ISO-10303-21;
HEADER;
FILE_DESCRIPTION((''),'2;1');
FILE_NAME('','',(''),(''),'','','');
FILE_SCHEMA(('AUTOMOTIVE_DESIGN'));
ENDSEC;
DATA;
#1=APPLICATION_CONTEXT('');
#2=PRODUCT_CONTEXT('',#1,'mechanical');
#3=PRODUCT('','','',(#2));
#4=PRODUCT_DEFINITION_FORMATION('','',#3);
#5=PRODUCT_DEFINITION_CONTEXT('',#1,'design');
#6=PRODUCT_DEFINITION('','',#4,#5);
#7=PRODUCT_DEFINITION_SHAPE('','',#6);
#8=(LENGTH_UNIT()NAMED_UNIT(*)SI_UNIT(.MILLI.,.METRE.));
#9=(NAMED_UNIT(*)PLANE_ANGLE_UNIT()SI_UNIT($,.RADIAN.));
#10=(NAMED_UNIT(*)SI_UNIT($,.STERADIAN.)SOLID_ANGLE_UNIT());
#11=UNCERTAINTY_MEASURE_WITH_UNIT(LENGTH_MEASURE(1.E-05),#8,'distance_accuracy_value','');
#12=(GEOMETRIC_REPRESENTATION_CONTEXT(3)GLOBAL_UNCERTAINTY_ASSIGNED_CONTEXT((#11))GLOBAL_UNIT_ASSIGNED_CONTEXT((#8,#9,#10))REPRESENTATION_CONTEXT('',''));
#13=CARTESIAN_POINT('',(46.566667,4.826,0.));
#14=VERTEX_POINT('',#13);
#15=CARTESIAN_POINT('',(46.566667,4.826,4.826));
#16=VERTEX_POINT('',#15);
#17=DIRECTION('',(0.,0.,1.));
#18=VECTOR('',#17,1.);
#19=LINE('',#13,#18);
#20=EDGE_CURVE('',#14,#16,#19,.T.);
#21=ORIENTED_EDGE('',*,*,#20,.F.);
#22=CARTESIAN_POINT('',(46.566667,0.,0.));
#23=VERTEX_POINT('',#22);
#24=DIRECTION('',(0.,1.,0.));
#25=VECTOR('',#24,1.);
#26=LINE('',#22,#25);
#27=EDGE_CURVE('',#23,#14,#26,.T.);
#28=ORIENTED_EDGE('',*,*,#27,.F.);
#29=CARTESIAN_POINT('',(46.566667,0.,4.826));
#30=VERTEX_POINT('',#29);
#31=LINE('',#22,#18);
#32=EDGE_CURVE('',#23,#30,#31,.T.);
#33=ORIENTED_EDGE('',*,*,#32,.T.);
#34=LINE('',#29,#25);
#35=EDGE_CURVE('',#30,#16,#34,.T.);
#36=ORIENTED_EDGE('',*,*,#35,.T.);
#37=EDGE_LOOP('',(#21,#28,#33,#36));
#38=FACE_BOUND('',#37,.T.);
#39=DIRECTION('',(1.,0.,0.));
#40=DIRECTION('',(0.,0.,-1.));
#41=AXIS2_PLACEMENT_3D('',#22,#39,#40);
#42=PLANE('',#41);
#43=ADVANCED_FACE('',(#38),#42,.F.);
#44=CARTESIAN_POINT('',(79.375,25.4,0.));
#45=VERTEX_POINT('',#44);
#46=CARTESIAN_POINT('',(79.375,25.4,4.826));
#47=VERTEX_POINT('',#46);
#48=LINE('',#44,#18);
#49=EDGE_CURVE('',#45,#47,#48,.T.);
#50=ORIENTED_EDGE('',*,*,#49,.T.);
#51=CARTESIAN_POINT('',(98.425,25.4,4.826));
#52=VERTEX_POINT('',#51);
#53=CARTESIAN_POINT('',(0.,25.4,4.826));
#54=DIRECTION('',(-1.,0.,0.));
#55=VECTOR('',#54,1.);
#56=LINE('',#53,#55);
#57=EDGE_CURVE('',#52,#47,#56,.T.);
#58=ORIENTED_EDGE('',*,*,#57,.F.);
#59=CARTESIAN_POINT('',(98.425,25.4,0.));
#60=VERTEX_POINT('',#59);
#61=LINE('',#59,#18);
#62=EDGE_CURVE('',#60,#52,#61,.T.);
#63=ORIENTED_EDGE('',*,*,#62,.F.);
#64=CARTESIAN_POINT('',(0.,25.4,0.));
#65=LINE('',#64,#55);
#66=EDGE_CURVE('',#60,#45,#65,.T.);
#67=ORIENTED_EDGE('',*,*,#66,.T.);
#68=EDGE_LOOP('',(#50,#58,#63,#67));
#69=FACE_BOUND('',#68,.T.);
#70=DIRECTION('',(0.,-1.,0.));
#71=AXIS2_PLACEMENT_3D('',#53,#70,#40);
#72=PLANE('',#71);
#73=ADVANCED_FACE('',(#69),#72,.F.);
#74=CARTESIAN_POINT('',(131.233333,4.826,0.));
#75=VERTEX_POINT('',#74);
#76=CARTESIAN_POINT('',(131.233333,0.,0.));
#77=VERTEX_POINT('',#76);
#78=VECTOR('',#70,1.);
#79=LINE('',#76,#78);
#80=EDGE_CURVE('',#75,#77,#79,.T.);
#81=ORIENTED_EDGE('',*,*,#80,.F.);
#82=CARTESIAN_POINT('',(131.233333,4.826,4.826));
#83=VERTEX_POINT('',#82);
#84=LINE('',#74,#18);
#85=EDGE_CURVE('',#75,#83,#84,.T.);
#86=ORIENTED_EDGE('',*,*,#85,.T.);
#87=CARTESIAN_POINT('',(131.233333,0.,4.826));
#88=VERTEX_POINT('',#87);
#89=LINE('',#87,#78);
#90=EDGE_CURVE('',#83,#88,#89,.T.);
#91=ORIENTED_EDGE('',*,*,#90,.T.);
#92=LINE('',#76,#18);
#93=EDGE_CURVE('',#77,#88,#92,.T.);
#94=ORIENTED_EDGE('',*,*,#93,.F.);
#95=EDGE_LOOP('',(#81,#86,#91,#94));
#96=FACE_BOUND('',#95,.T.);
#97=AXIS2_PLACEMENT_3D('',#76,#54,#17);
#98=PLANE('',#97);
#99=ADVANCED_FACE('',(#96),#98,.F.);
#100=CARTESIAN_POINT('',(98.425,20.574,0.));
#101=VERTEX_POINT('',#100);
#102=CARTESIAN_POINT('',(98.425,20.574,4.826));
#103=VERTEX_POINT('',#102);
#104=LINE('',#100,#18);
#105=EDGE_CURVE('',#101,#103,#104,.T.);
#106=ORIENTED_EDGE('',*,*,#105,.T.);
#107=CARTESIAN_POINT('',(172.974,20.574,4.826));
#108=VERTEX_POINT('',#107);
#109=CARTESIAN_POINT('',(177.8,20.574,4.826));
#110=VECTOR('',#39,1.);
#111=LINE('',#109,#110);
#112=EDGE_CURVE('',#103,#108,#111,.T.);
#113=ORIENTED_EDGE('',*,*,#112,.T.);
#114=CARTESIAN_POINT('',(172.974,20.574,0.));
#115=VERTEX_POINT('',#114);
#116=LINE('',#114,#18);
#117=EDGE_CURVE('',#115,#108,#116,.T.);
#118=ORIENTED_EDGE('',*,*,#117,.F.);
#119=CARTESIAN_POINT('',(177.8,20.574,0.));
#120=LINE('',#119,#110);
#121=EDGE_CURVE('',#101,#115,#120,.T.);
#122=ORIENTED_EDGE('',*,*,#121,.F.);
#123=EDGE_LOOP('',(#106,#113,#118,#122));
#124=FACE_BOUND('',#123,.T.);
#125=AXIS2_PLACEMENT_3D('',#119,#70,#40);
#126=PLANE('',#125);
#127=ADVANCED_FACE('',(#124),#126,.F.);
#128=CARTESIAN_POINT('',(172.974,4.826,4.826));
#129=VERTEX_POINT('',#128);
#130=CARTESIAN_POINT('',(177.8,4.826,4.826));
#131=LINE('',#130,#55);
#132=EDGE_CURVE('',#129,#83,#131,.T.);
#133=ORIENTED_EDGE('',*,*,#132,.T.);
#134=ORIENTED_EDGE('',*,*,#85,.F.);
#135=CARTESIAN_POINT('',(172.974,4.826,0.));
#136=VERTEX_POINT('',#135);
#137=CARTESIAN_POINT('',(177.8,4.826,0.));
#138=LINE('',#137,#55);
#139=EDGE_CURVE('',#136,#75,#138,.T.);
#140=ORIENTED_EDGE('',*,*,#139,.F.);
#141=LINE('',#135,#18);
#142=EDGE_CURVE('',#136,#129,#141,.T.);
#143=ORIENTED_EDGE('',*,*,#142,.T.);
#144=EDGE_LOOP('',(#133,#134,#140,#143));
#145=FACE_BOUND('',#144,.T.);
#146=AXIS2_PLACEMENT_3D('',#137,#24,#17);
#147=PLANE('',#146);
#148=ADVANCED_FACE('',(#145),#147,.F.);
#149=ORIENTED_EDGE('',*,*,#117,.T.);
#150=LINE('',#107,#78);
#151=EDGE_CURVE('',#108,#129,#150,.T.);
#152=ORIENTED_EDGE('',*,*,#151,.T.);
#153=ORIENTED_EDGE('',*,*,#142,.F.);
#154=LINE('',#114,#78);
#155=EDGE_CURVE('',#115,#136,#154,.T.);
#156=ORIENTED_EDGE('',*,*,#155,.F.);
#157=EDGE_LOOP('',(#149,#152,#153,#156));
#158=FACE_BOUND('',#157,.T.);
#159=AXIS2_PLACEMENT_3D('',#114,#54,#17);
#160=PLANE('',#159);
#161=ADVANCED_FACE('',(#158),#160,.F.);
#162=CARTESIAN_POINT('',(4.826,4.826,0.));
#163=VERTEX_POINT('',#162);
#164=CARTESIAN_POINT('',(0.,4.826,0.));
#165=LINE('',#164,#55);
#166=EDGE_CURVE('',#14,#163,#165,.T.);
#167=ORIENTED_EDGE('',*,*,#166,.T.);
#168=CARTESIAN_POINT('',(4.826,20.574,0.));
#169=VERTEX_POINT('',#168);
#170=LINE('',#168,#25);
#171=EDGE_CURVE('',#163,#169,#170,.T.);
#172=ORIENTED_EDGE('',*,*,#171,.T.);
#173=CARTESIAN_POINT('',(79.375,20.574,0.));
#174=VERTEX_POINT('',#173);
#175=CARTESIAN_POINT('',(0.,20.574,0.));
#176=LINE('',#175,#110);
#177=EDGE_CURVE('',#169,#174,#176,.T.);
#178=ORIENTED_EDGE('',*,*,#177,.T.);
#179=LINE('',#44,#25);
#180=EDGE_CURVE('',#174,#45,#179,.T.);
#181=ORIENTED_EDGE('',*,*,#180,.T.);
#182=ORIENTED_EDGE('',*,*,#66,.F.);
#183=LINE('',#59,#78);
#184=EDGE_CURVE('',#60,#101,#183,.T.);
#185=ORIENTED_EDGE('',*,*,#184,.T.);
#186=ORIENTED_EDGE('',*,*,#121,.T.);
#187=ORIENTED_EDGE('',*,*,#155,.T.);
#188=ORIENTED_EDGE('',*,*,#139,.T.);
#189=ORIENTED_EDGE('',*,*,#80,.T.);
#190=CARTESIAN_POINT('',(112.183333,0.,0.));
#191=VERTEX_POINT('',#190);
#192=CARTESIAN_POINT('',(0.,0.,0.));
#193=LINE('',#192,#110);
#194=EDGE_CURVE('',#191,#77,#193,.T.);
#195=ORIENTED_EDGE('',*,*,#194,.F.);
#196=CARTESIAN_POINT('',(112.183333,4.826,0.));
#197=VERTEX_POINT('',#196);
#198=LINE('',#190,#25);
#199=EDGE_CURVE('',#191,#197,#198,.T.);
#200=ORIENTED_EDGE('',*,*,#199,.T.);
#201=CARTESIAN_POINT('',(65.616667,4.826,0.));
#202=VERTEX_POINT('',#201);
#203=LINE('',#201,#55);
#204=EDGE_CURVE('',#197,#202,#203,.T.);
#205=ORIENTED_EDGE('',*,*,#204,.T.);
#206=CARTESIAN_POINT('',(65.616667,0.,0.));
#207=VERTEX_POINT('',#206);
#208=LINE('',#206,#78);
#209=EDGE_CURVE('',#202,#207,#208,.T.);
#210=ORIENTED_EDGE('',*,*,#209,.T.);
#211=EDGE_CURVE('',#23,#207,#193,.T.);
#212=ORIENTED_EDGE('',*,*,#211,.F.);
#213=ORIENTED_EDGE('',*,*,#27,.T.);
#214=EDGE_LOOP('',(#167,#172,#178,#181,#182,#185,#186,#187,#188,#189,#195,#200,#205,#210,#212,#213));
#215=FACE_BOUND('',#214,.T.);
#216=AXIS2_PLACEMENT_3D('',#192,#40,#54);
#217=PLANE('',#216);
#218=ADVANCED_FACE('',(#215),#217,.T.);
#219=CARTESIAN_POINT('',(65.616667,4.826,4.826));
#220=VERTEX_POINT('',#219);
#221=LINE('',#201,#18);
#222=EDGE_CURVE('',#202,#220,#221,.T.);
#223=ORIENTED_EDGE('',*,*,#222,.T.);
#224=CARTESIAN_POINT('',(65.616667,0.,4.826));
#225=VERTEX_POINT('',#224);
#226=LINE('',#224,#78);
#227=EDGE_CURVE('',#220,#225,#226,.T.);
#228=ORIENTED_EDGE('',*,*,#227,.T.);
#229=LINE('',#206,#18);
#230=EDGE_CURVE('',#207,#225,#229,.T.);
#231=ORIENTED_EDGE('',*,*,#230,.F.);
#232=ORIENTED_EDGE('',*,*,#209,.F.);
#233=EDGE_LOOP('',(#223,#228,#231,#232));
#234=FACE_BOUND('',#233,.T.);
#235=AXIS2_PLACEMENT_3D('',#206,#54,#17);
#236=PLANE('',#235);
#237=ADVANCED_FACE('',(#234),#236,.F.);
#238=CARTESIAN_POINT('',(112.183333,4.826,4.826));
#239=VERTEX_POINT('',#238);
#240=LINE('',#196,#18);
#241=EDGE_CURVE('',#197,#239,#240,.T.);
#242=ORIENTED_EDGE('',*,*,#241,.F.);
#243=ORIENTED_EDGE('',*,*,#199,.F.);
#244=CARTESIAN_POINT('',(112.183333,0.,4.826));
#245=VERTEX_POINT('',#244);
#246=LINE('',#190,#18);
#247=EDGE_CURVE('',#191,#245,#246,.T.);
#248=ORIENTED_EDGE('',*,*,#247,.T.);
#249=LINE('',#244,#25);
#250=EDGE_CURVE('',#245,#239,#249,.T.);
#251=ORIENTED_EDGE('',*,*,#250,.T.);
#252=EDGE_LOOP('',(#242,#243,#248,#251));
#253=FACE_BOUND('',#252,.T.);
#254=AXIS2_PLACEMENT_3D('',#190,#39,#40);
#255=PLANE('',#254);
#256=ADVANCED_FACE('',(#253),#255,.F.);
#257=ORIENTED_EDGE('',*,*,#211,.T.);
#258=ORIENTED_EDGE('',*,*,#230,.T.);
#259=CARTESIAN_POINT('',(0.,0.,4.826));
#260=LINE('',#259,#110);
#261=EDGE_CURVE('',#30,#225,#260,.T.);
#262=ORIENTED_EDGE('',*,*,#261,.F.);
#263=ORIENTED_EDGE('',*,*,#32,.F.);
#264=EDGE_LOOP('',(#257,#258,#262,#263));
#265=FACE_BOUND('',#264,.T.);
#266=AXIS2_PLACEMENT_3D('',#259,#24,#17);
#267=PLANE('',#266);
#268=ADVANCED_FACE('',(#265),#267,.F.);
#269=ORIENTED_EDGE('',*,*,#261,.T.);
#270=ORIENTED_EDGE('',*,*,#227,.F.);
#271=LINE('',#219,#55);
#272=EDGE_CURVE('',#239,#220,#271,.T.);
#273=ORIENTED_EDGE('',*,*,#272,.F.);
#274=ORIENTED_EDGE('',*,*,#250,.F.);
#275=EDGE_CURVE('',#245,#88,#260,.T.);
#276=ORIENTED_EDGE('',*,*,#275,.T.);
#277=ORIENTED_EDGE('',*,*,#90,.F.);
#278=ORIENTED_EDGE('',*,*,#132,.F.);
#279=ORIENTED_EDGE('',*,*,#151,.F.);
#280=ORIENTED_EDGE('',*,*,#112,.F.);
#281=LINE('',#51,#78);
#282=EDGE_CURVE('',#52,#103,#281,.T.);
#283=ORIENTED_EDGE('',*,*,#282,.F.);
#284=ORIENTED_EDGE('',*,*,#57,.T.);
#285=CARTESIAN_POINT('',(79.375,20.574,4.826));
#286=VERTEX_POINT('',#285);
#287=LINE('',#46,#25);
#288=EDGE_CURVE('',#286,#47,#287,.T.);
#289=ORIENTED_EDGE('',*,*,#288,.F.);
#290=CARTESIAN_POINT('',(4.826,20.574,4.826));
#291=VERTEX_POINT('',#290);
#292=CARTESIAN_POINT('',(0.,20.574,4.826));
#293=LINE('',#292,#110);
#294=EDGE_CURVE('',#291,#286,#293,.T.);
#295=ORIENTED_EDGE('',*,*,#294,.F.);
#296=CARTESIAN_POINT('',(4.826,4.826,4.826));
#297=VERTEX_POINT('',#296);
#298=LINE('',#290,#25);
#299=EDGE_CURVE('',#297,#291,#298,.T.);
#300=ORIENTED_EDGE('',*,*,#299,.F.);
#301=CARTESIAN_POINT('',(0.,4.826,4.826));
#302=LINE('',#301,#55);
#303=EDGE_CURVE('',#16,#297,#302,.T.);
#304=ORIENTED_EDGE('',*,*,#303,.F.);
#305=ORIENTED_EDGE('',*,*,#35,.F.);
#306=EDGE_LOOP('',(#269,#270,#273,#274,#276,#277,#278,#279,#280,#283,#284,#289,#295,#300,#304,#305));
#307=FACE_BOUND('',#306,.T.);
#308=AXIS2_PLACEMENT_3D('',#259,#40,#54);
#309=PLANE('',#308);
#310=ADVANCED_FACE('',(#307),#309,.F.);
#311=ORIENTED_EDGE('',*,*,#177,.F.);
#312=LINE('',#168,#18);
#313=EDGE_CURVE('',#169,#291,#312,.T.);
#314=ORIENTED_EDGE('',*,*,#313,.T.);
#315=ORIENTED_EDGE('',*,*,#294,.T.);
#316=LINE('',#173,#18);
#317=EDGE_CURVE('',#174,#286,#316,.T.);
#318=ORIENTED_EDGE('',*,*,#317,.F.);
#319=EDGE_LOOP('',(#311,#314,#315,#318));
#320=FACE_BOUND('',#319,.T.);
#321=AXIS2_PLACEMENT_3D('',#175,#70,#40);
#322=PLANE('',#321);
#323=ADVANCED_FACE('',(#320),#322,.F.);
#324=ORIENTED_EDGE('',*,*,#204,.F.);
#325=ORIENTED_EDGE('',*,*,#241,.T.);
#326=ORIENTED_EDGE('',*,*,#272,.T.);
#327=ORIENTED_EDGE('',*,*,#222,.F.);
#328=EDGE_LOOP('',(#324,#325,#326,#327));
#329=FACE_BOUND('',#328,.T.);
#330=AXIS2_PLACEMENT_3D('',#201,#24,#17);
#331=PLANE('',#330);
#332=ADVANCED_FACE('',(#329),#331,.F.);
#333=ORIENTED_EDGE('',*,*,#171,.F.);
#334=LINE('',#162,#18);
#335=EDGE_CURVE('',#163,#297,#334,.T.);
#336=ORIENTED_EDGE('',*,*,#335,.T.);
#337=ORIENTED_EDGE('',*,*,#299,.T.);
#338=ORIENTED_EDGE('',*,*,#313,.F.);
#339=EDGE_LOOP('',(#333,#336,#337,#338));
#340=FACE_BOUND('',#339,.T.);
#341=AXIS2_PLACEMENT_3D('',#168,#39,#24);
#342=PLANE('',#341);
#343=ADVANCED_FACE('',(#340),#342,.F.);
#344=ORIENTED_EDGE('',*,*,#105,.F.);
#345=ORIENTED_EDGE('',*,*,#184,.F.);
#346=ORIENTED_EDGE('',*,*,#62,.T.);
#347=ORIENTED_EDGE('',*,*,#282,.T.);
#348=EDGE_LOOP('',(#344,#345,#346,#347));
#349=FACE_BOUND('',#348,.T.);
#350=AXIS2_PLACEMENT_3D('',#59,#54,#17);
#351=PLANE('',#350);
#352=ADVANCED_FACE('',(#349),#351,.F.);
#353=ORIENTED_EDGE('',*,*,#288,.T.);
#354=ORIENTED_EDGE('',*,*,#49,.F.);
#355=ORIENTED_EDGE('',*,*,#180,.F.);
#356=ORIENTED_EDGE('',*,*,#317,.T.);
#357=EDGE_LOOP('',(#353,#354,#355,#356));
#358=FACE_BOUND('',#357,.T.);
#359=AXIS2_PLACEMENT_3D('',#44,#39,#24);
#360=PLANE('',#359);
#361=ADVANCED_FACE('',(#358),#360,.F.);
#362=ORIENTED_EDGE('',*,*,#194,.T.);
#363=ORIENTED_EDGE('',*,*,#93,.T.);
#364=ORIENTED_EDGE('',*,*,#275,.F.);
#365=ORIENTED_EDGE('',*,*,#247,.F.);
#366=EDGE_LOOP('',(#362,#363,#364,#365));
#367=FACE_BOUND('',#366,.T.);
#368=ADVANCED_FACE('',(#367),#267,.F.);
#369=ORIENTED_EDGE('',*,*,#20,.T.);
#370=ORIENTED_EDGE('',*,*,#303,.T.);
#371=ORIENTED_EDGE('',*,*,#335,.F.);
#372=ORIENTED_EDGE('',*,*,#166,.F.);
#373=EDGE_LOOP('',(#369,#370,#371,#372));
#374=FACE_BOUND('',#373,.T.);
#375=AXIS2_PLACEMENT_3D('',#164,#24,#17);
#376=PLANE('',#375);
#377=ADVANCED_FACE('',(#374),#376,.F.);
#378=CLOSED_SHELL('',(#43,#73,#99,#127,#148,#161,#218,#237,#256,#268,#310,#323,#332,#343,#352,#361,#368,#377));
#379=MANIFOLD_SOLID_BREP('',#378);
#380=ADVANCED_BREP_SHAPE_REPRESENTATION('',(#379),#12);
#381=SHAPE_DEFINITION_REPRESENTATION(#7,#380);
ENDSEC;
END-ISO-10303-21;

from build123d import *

# Parameters (mm, degrees)
SKETCH1_W               = 177.8
SKETCH1_H               = 25.4
BOSS_EXTRUDE1_DEPTH     = 4.826
SKETCH2_W               = 46.566666667
SKETCH2_H               = 4.826
SKETCH2_W_2             = 46.566666666
BOTTOM_EDGE_SLOTS_DEPTH = 180.669948172
SKETCH3_W               = 79.375
SKETCH3_H               = 4.826
TOP_EDGE_SLOTS_DEPTH    = 180.669948172
SKETCH4_W               = 4.826
SKETCH4_H               = 15.748
EDGE_CUTS_DEPTH         = 180.669948172


with BuildPart() as part:
    # Sketch1 → Boss-Extrude1 (new body)
    with BuildSketch(Plane.XY):
        with Locations((88.9, 12.7)):
            Rectangle(SKETCH1_W, SKETCH1_H)
    extrude(amount=BOSS_EXTRUDE1_DEPTH)

    # Sketch2 → Bottom Edge Slots (cut, through all)
    with BuildSketch(Plane.XY.offset(4.826)):
        with Locations((23.283333333, 2.413)):
            Rectangle(SKETCH2_W, SKETCH2_H)
        with Locations((88.9, 2.413)):
            Rectangle(SKETCH2_W_2, SKETCH2_H)
        with Locations((154.516666667, 2.413)):
            Rectangle(SKETCH2_W, SKETCH2_H)
    extrude(amount=-BOTTOM_EDGE_SLOTS_DEPTH, mode=Mode.SUBTRACT)

    # Sketch3 → Top Edge Slots (cut, through all)
    with BuildSketch(Plane.XY.offset(4.826)):
        with Locations((39.6875, 22.987)):
            Rectangle(SKETCH3_W, SKETCH3_H)
        with Locations((138.1125, 22.987)):
            Rectangle(SKETCH3_W, SKETCH3_H)
    extrude(amount=-TOP_EDGE_SLOTS_DEPTH, mode=Mode.SUBTRACT)

    # Sketch4 → Edge Cuts (cut, through all)
    with BuildSketch(Plane.XY.offset(4.826)):
        with Locations((2.413, 12.7)):
            Rectangle(SKETCH4_W, SKETCH4_H)
        with Locations((175.387, 12.7)):
            Rectangle(SKETCH4_W, SKETCH4_H)
    extrude(amount=-EDGE_CUTS_DEPTH, mode=Mode.SUBTRACT)


solid = part.part
